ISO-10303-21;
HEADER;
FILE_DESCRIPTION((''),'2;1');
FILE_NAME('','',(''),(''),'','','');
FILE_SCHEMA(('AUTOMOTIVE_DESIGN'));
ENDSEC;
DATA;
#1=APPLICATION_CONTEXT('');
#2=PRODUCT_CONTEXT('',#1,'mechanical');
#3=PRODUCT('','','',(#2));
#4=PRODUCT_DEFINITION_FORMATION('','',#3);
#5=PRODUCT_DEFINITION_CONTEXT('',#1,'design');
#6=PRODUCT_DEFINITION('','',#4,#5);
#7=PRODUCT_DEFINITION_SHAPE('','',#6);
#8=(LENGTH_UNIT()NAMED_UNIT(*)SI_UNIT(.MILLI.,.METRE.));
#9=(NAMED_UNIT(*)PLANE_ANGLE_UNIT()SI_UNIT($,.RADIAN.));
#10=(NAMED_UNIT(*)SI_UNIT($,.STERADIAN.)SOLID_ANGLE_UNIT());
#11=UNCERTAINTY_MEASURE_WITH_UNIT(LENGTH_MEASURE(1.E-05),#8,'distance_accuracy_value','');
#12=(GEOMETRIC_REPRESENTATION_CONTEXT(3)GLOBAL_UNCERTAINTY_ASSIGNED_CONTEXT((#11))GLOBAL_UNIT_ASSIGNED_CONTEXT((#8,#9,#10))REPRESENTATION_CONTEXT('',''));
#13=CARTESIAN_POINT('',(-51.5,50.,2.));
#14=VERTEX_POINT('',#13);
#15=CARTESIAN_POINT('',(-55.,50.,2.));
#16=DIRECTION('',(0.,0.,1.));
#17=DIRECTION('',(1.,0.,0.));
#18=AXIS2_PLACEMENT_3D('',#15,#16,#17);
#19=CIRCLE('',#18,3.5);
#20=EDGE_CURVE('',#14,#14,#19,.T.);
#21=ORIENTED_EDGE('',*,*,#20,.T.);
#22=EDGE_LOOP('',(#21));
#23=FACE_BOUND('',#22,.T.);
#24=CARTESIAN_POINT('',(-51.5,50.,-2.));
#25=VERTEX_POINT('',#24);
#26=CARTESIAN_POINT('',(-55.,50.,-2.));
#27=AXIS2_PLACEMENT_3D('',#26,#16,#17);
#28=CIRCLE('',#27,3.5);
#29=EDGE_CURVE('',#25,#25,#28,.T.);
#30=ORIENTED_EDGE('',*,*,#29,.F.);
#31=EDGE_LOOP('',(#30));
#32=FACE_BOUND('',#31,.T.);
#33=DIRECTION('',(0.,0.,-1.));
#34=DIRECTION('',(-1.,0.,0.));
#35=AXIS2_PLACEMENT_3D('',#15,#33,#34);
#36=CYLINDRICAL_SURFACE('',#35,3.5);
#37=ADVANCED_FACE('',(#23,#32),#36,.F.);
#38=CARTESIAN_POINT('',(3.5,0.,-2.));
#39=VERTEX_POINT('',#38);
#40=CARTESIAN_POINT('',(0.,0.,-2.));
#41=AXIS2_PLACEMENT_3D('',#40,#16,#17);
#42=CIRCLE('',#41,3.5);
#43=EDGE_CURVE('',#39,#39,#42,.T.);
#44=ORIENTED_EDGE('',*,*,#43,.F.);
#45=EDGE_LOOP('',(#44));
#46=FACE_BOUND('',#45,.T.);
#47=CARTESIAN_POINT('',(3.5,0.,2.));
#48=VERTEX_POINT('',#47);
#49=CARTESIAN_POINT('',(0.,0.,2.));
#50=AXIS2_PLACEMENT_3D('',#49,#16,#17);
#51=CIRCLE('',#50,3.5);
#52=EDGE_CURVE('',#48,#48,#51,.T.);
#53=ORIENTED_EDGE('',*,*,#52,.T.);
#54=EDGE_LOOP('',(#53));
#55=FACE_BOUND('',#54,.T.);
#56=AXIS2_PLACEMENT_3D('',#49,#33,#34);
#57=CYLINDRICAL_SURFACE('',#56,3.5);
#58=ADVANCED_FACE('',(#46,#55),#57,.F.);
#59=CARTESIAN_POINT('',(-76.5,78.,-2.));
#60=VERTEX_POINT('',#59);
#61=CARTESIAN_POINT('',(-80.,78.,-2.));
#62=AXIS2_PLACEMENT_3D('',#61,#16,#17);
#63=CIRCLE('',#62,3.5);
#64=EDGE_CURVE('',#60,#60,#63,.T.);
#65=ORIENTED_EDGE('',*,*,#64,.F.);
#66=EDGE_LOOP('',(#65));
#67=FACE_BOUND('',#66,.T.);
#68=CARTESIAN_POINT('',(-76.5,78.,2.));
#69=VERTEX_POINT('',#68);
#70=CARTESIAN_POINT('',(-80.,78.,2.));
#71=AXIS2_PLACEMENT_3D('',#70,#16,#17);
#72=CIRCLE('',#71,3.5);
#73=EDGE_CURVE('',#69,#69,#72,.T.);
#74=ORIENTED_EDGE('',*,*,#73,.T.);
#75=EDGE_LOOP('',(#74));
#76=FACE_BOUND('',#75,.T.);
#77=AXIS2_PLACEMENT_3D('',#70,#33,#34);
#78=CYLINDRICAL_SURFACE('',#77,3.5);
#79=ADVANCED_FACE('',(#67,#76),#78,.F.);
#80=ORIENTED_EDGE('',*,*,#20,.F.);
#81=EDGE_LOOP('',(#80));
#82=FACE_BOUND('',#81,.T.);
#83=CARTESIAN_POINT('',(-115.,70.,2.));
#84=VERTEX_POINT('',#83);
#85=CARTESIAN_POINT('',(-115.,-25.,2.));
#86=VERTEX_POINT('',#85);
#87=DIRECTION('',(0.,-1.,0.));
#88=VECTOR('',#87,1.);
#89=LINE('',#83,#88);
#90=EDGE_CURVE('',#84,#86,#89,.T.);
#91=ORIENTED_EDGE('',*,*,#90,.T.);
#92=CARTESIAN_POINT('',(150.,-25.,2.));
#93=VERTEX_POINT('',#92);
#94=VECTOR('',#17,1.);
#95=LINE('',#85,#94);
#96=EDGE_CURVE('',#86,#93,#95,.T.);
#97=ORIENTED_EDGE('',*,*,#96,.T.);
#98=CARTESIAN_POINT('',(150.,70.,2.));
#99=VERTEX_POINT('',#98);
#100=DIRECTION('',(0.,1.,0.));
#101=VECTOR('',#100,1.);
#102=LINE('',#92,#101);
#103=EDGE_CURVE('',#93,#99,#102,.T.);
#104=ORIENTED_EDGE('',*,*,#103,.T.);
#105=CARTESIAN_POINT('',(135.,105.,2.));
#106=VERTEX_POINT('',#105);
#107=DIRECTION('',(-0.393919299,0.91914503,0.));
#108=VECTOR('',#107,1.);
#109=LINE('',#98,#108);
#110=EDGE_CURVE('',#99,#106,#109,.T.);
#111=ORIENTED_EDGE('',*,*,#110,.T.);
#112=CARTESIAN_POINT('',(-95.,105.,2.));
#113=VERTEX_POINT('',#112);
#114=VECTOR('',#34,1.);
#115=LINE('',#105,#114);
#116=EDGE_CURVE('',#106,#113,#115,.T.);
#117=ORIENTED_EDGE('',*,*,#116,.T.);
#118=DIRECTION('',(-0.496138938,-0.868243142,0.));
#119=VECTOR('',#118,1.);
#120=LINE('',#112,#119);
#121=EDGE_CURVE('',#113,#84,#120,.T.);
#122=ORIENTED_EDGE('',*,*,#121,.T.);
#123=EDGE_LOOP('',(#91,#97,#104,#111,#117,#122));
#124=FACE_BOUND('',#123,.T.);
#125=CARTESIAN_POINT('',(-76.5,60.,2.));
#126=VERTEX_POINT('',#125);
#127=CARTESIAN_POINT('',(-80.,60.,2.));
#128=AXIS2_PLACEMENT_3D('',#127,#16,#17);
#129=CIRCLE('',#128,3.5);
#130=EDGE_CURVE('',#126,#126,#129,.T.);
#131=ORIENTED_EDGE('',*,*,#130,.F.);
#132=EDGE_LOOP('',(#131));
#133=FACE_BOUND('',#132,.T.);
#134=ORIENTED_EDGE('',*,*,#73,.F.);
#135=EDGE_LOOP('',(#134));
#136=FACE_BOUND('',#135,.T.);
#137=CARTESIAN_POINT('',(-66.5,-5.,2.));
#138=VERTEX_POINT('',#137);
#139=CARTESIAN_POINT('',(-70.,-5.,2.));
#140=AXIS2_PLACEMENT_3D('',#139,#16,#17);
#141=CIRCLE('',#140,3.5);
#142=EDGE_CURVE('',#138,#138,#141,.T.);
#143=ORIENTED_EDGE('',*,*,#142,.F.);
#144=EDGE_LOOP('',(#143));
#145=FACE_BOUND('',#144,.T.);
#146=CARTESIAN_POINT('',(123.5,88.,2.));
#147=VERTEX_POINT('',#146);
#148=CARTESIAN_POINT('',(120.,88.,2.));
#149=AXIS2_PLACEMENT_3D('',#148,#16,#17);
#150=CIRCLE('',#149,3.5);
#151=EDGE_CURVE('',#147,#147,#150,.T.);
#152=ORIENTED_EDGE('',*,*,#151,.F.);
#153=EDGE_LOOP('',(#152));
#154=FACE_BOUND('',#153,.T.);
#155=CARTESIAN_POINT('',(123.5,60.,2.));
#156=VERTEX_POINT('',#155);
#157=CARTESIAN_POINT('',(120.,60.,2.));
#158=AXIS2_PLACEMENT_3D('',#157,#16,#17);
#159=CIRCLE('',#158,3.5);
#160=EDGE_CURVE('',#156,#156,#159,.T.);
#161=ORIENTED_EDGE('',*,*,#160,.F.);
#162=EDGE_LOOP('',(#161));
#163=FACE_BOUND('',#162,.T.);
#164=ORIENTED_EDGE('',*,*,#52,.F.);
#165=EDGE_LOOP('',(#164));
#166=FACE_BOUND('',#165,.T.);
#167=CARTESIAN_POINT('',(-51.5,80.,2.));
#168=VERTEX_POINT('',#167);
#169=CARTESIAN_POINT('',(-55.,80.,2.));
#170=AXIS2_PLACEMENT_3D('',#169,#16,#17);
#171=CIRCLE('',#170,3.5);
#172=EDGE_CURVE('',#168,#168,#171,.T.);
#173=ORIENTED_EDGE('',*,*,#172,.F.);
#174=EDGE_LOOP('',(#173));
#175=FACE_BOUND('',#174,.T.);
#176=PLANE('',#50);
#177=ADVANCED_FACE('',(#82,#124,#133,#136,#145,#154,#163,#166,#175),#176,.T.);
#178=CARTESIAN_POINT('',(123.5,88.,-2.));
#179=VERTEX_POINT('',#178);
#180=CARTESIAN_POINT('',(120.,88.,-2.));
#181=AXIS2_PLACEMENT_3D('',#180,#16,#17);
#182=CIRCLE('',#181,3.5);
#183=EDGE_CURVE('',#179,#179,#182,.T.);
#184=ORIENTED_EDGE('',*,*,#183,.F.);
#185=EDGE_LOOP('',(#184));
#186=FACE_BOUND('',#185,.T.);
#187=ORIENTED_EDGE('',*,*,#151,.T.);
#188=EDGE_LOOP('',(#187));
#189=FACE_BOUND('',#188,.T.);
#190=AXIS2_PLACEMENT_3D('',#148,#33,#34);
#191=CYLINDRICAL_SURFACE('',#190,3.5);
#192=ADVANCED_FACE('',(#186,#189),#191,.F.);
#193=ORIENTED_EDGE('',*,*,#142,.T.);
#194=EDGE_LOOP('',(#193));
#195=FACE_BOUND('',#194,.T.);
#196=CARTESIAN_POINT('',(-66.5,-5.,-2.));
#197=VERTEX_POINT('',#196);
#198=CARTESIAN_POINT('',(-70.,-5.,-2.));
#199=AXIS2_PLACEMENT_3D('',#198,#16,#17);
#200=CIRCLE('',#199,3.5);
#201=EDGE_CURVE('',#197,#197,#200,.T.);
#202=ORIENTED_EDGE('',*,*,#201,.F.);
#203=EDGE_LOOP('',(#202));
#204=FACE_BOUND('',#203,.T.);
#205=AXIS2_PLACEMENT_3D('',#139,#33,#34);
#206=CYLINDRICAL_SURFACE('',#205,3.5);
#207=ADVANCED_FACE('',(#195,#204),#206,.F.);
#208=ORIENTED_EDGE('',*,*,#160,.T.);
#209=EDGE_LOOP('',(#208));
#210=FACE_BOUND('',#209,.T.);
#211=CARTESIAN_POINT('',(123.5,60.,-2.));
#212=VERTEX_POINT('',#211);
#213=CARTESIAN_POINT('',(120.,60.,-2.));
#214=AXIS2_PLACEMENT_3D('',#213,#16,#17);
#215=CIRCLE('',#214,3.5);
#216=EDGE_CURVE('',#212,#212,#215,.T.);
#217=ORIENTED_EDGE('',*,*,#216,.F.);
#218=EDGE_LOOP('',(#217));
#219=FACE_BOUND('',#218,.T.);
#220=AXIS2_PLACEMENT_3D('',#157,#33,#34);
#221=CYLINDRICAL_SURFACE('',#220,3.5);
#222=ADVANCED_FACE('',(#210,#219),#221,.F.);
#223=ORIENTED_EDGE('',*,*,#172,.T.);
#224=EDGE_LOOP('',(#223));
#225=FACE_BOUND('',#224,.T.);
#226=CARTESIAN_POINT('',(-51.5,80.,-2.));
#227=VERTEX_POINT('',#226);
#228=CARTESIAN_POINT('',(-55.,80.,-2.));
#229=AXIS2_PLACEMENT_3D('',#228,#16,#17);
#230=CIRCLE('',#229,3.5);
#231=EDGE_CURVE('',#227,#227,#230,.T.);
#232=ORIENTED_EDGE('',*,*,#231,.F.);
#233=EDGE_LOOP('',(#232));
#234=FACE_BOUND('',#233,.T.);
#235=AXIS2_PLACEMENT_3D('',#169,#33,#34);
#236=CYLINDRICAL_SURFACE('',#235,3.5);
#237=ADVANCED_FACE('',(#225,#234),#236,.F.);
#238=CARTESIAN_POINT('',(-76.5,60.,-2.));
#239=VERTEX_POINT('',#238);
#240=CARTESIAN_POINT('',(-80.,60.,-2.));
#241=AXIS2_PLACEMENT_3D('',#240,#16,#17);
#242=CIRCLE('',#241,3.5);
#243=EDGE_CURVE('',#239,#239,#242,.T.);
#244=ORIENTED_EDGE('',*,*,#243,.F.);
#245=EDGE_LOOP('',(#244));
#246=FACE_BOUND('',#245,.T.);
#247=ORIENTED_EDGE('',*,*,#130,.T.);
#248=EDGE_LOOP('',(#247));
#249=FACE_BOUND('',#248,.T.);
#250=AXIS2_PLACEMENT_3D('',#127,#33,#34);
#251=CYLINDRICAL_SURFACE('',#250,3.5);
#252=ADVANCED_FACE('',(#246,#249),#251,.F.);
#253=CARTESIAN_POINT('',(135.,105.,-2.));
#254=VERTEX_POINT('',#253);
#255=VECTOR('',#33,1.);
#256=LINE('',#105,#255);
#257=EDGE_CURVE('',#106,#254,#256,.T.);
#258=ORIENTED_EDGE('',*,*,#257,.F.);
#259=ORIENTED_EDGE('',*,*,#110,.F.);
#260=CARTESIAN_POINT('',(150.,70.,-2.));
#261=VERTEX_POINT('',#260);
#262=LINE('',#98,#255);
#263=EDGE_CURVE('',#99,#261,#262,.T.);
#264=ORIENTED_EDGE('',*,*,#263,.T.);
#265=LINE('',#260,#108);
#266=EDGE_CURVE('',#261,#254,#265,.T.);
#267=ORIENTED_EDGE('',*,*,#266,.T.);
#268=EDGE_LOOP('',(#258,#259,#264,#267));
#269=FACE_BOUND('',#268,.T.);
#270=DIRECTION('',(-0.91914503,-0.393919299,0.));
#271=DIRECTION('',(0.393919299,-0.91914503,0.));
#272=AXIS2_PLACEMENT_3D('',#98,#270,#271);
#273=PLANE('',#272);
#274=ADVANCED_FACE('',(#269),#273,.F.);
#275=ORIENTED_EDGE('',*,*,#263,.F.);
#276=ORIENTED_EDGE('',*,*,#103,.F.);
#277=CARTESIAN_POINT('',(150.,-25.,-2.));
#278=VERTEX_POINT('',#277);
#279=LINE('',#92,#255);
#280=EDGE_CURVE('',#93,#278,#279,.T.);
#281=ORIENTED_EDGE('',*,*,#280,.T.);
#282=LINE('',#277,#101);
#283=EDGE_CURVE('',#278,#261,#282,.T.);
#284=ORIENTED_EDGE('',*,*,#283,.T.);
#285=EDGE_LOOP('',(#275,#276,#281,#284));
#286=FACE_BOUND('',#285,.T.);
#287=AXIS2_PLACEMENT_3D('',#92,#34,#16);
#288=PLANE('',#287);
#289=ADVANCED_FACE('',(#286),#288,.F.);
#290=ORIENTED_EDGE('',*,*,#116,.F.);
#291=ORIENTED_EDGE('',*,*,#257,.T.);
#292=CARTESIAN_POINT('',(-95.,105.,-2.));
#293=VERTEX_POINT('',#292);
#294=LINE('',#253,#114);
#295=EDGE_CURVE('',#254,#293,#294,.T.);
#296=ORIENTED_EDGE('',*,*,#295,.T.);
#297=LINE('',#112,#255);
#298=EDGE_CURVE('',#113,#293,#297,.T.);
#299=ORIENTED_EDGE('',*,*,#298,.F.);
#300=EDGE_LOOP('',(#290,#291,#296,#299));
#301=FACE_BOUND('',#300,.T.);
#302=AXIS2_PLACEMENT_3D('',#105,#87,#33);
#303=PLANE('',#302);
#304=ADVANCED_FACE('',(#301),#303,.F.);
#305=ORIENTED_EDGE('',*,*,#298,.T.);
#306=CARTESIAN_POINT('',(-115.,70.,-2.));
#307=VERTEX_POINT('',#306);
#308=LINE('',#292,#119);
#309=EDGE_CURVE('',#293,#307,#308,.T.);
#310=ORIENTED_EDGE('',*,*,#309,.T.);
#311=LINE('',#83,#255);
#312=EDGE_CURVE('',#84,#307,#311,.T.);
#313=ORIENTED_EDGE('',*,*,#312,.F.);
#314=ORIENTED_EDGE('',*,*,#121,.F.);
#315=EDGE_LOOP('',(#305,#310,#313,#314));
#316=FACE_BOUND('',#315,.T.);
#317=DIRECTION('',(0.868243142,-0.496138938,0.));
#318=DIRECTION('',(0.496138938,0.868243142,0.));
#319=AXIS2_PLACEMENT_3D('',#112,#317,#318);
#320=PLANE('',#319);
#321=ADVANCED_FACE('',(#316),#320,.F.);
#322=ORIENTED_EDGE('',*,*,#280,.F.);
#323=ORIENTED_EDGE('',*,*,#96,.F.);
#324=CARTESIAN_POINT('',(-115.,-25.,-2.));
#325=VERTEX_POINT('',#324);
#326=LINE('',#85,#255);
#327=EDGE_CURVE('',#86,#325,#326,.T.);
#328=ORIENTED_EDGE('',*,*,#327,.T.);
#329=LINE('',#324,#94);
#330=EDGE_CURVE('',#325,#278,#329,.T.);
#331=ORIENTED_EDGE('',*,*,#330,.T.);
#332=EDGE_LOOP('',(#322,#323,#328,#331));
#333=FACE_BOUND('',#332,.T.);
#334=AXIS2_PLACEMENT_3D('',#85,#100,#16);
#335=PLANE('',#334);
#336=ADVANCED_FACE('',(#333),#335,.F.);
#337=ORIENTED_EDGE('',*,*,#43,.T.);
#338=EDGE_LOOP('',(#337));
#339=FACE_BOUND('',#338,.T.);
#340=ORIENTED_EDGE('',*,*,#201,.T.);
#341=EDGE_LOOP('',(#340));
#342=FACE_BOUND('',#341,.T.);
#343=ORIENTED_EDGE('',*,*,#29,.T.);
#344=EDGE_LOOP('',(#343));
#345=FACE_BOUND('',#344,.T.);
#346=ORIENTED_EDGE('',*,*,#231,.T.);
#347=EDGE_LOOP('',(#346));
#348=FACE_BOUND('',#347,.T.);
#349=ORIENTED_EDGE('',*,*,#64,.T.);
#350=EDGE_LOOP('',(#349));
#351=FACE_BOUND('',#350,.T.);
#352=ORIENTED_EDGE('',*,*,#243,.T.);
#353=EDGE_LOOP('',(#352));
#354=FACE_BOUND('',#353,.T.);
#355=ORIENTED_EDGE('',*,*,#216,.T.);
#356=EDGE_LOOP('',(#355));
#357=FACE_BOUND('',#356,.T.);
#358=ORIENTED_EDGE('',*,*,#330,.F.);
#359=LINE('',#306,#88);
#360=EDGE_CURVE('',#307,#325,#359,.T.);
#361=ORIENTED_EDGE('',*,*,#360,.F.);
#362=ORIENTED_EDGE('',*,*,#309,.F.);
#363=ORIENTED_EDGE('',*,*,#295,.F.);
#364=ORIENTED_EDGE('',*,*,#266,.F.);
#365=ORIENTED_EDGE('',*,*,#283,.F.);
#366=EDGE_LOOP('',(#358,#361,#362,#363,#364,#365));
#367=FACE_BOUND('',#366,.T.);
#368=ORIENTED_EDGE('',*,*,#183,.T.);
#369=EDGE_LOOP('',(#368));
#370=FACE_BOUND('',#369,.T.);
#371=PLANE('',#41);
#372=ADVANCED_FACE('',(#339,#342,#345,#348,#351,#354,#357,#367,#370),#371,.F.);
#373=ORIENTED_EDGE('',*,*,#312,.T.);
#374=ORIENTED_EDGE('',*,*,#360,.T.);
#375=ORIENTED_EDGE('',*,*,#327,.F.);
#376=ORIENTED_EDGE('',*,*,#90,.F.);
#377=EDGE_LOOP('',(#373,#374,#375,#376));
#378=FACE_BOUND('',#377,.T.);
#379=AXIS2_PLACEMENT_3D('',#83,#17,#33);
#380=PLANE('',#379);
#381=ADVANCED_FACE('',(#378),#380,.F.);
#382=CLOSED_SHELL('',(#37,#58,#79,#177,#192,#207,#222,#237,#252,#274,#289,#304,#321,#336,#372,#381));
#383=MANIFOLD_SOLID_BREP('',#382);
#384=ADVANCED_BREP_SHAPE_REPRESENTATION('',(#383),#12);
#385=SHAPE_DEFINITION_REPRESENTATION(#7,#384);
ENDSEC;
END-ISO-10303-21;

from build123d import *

# Parameters (mm, degrees)
SKETCH_1_R      = 3.5
EXTRUDE_1_DEPTH = 2


with BuildPart() as part:
    # 草图1 → 凸台-拉伸1 (new, symmetric)
    with BuildSketch(Plane.XY):
        Polygon((-115, -25), (150, -25), (150, 70), (135, 105), (-95, 105), (-115, 70), align=None)
        Circle(SKETCH_1_R, mode=Mode.SUBTRACT)
        with Locations((-80, 60)):
            Circle(SKETCH_1_R, mode=Mode.SUBTRACT)
        with Locations((120, 60)):
            Circle(SKETCH_1_R, mode=Mode.SUBTRACT)
        with Locations((-70, -5)):
            Circle(SKETCH_1_R, mode=Mode.SUBTRACT)
        with Locations((-55, 50)):
            Circle(SKETCH_1_R, mode=Mode.SUBTRACT)
        with Locations((-55, 80)):
            Circle(SKETCH_1_R, mode=Mode.SUBTRACT)
        with Locations((120, 88)):
            Circle(SKETCH_1_R, mode=Mode.SUBTRACT)
        with Locations((-80, 78)):
            Circle(SKETCH_1_R, mode=Mode.SUBTRACT)
    extrude(amount=EXTRUDE_1_DEPTH, both=True)


solid = part.part
